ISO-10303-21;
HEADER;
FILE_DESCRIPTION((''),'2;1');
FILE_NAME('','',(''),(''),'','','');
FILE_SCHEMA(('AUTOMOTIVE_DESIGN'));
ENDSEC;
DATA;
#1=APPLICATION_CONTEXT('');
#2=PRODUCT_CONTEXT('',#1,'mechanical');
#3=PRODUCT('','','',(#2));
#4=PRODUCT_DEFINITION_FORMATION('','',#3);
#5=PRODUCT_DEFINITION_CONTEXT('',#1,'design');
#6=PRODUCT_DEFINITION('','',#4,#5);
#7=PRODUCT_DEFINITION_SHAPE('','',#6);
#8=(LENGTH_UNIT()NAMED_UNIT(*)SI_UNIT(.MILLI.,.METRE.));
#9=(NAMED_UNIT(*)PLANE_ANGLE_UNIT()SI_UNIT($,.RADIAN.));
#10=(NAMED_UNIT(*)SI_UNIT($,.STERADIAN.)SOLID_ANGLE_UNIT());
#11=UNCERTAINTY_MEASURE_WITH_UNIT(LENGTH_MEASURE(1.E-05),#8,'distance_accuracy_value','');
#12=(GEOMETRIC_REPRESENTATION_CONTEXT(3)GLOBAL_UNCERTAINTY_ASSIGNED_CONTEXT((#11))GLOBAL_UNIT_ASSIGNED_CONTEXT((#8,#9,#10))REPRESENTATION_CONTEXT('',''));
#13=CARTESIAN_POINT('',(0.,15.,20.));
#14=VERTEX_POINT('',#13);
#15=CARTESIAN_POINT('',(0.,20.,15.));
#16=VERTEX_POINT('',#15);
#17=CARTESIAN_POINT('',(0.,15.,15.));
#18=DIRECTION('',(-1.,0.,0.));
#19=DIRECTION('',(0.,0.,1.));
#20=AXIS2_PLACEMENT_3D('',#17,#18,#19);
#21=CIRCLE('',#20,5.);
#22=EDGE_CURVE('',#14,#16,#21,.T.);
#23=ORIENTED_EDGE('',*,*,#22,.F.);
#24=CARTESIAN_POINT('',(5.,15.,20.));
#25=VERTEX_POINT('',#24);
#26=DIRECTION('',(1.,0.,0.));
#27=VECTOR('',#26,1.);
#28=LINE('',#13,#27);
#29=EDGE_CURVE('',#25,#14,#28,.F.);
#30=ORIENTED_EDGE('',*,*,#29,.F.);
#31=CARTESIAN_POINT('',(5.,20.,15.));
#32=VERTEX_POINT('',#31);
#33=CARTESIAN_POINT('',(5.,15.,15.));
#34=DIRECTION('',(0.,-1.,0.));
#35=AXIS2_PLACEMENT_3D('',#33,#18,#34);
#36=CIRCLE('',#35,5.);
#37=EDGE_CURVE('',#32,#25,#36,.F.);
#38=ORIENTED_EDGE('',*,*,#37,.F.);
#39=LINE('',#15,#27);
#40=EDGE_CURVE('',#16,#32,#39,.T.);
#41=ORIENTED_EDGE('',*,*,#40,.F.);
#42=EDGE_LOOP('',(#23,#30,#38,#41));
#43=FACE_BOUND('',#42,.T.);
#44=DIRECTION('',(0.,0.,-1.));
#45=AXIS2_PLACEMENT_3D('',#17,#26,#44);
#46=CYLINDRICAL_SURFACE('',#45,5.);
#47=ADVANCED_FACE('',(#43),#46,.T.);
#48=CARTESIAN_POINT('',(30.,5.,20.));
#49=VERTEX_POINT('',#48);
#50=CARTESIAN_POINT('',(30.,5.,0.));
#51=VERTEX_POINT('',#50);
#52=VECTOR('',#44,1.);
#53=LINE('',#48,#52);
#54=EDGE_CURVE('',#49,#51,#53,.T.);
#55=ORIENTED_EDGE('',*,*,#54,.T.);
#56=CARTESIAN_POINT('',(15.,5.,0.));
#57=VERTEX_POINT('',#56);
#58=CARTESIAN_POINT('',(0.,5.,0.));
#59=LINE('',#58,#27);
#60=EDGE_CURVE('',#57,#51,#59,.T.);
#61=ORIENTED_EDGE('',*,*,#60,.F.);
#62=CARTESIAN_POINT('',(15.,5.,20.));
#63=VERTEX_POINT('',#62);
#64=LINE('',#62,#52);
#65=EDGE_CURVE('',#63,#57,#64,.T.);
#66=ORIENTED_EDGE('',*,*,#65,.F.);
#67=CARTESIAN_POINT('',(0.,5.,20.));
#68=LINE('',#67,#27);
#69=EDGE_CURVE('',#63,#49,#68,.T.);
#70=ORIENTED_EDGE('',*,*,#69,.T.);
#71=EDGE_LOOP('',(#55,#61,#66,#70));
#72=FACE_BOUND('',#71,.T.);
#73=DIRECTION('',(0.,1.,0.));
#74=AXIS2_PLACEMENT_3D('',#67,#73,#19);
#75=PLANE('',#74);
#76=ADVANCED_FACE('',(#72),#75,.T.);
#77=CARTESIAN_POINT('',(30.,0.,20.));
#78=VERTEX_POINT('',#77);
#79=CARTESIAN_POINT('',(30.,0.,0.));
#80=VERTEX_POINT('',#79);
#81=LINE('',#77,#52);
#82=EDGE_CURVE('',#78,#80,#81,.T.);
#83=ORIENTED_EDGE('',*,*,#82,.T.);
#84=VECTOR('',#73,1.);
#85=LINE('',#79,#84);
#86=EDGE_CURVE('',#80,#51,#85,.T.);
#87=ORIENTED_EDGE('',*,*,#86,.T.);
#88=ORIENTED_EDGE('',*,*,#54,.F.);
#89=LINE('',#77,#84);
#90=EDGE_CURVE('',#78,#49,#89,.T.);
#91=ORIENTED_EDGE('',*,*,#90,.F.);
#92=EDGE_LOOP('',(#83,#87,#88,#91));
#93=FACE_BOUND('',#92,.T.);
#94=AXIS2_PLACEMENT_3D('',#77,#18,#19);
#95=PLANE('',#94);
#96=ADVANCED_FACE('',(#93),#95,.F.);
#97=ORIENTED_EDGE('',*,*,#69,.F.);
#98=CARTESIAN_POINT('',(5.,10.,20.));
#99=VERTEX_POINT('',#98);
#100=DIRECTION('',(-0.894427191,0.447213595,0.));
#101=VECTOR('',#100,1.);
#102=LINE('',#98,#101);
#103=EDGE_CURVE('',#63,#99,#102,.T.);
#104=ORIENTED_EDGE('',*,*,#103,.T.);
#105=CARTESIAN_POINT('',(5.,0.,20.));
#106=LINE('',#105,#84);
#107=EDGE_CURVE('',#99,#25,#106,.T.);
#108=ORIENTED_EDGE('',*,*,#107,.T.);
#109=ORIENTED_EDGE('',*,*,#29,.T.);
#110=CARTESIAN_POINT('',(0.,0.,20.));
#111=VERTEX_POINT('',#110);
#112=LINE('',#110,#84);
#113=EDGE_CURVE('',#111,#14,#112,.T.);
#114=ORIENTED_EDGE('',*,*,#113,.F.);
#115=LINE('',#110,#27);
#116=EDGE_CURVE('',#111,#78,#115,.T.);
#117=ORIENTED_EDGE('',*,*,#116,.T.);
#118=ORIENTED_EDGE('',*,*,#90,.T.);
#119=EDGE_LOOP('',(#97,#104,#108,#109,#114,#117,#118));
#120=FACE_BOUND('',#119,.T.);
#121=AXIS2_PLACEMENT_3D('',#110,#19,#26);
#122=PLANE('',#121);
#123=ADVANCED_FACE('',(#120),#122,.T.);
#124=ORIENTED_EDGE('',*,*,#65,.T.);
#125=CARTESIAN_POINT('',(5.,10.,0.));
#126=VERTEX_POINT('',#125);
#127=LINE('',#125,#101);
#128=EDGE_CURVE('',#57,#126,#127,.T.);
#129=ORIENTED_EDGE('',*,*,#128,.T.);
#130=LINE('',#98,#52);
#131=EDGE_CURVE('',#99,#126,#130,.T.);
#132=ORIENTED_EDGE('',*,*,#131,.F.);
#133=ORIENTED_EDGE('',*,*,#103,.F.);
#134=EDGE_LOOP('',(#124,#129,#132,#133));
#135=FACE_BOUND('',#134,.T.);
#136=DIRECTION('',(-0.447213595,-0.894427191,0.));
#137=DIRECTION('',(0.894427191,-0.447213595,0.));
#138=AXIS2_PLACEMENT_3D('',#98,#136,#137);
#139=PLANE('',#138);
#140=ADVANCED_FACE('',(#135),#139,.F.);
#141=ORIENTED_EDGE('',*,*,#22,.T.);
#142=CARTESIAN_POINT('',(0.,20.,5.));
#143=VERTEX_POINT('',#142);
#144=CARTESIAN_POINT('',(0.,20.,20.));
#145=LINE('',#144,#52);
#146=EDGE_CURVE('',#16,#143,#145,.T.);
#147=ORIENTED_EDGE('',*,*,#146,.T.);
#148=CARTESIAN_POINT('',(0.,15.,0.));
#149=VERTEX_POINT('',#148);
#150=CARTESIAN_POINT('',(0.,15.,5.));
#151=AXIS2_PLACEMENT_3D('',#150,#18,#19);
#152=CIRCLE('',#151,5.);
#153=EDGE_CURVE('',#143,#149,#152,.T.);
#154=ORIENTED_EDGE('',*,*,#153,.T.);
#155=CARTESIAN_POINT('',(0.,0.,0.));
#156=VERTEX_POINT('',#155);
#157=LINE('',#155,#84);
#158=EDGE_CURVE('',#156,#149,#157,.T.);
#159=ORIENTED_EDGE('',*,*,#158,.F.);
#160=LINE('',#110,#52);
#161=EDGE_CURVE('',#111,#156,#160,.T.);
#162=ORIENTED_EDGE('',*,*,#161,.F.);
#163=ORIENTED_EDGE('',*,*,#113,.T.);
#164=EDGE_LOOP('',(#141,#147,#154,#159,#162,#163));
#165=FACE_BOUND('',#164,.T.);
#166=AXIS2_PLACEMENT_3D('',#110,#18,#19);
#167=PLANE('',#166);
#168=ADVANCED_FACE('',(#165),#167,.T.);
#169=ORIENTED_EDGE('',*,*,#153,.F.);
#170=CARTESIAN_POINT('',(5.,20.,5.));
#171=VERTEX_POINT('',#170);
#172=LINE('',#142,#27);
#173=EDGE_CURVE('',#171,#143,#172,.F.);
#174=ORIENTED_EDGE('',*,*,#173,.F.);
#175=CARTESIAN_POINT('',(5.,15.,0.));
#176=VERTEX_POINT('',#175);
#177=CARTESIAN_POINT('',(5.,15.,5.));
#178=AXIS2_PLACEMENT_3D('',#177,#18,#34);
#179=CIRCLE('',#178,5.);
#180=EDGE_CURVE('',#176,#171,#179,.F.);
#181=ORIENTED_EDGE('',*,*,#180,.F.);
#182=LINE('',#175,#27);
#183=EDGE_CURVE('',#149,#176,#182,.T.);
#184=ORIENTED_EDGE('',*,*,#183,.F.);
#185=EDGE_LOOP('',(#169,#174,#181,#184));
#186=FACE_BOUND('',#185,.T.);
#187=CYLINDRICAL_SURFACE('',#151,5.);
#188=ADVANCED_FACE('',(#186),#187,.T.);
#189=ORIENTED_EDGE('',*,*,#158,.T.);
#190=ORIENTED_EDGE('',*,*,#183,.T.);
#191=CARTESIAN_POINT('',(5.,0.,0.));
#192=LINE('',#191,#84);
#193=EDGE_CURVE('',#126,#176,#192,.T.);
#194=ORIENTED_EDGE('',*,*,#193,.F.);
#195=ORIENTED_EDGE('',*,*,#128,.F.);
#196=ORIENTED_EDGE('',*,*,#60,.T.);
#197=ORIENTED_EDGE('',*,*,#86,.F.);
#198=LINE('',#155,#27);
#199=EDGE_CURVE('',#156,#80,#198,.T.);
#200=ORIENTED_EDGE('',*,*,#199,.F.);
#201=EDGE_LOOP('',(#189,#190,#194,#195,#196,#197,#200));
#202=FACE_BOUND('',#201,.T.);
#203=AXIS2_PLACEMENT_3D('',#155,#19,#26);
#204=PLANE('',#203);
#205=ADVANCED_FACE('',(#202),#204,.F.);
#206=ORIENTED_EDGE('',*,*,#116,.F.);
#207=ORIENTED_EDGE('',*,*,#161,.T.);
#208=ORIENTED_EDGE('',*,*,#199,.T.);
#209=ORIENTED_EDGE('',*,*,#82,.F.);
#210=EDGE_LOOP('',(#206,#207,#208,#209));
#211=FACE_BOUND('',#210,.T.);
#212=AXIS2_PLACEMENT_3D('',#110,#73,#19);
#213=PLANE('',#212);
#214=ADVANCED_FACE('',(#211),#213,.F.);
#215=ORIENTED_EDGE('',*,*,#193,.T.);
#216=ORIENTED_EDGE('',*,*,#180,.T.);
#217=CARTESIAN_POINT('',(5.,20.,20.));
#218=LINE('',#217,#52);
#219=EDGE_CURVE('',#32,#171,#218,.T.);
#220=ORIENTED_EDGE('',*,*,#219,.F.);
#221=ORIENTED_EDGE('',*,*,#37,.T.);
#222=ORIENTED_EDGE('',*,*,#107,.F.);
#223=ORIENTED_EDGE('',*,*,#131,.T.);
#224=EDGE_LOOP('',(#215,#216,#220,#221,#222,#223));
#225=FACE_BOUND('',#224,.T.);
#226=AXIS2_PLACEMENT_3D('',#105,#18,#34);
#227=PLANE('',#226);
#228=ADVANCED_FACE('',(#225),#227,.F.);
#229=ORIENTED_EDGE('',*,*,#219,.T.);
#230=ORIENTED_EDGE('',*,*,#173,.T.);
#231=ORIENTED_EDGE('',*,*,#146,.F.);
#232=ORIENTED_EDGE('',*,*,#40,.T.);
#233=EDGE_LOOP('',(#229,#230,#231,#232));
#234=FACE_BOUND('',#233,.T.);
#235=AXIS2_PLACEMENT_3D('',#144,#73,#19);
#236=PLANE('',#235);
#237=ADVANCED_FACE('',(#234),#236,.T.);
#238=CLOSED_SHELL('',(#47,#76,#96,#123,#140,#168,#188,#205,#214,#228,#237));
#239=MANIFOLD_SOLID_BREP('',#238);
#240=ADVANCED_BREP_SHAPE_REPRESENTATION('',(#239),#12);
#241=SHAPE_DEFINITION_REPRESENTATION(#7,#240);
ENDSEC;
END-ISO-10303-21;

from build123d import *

# Parameters (mm, degrees)
EXTRUDE_1_DEPTH = 20
FILLET_1_R      = 5


with BuildPart() as part:
    # 草圖1 → 填料-伸長1 (new body)
    with BuildSketch(Plane.XY):
        Polygon((30, 5), (15, 5), (5, 10), (5, 20), (0, 20), (0, 5), (0, 0), (5, 0), (30, 0), align=None)
    extrude(amount=EXTRUDE_1_DEPTH)

    # 圓角1
    fillet_1_edges = [part.edges().sort_by_distance(p)[0] for p in [
        (2.5, 20, 20),
        (2.5, 20, 0),
    ]]
    fillet(fillet_1_edges, radius=FILLET_1_R)


solid = part.part
